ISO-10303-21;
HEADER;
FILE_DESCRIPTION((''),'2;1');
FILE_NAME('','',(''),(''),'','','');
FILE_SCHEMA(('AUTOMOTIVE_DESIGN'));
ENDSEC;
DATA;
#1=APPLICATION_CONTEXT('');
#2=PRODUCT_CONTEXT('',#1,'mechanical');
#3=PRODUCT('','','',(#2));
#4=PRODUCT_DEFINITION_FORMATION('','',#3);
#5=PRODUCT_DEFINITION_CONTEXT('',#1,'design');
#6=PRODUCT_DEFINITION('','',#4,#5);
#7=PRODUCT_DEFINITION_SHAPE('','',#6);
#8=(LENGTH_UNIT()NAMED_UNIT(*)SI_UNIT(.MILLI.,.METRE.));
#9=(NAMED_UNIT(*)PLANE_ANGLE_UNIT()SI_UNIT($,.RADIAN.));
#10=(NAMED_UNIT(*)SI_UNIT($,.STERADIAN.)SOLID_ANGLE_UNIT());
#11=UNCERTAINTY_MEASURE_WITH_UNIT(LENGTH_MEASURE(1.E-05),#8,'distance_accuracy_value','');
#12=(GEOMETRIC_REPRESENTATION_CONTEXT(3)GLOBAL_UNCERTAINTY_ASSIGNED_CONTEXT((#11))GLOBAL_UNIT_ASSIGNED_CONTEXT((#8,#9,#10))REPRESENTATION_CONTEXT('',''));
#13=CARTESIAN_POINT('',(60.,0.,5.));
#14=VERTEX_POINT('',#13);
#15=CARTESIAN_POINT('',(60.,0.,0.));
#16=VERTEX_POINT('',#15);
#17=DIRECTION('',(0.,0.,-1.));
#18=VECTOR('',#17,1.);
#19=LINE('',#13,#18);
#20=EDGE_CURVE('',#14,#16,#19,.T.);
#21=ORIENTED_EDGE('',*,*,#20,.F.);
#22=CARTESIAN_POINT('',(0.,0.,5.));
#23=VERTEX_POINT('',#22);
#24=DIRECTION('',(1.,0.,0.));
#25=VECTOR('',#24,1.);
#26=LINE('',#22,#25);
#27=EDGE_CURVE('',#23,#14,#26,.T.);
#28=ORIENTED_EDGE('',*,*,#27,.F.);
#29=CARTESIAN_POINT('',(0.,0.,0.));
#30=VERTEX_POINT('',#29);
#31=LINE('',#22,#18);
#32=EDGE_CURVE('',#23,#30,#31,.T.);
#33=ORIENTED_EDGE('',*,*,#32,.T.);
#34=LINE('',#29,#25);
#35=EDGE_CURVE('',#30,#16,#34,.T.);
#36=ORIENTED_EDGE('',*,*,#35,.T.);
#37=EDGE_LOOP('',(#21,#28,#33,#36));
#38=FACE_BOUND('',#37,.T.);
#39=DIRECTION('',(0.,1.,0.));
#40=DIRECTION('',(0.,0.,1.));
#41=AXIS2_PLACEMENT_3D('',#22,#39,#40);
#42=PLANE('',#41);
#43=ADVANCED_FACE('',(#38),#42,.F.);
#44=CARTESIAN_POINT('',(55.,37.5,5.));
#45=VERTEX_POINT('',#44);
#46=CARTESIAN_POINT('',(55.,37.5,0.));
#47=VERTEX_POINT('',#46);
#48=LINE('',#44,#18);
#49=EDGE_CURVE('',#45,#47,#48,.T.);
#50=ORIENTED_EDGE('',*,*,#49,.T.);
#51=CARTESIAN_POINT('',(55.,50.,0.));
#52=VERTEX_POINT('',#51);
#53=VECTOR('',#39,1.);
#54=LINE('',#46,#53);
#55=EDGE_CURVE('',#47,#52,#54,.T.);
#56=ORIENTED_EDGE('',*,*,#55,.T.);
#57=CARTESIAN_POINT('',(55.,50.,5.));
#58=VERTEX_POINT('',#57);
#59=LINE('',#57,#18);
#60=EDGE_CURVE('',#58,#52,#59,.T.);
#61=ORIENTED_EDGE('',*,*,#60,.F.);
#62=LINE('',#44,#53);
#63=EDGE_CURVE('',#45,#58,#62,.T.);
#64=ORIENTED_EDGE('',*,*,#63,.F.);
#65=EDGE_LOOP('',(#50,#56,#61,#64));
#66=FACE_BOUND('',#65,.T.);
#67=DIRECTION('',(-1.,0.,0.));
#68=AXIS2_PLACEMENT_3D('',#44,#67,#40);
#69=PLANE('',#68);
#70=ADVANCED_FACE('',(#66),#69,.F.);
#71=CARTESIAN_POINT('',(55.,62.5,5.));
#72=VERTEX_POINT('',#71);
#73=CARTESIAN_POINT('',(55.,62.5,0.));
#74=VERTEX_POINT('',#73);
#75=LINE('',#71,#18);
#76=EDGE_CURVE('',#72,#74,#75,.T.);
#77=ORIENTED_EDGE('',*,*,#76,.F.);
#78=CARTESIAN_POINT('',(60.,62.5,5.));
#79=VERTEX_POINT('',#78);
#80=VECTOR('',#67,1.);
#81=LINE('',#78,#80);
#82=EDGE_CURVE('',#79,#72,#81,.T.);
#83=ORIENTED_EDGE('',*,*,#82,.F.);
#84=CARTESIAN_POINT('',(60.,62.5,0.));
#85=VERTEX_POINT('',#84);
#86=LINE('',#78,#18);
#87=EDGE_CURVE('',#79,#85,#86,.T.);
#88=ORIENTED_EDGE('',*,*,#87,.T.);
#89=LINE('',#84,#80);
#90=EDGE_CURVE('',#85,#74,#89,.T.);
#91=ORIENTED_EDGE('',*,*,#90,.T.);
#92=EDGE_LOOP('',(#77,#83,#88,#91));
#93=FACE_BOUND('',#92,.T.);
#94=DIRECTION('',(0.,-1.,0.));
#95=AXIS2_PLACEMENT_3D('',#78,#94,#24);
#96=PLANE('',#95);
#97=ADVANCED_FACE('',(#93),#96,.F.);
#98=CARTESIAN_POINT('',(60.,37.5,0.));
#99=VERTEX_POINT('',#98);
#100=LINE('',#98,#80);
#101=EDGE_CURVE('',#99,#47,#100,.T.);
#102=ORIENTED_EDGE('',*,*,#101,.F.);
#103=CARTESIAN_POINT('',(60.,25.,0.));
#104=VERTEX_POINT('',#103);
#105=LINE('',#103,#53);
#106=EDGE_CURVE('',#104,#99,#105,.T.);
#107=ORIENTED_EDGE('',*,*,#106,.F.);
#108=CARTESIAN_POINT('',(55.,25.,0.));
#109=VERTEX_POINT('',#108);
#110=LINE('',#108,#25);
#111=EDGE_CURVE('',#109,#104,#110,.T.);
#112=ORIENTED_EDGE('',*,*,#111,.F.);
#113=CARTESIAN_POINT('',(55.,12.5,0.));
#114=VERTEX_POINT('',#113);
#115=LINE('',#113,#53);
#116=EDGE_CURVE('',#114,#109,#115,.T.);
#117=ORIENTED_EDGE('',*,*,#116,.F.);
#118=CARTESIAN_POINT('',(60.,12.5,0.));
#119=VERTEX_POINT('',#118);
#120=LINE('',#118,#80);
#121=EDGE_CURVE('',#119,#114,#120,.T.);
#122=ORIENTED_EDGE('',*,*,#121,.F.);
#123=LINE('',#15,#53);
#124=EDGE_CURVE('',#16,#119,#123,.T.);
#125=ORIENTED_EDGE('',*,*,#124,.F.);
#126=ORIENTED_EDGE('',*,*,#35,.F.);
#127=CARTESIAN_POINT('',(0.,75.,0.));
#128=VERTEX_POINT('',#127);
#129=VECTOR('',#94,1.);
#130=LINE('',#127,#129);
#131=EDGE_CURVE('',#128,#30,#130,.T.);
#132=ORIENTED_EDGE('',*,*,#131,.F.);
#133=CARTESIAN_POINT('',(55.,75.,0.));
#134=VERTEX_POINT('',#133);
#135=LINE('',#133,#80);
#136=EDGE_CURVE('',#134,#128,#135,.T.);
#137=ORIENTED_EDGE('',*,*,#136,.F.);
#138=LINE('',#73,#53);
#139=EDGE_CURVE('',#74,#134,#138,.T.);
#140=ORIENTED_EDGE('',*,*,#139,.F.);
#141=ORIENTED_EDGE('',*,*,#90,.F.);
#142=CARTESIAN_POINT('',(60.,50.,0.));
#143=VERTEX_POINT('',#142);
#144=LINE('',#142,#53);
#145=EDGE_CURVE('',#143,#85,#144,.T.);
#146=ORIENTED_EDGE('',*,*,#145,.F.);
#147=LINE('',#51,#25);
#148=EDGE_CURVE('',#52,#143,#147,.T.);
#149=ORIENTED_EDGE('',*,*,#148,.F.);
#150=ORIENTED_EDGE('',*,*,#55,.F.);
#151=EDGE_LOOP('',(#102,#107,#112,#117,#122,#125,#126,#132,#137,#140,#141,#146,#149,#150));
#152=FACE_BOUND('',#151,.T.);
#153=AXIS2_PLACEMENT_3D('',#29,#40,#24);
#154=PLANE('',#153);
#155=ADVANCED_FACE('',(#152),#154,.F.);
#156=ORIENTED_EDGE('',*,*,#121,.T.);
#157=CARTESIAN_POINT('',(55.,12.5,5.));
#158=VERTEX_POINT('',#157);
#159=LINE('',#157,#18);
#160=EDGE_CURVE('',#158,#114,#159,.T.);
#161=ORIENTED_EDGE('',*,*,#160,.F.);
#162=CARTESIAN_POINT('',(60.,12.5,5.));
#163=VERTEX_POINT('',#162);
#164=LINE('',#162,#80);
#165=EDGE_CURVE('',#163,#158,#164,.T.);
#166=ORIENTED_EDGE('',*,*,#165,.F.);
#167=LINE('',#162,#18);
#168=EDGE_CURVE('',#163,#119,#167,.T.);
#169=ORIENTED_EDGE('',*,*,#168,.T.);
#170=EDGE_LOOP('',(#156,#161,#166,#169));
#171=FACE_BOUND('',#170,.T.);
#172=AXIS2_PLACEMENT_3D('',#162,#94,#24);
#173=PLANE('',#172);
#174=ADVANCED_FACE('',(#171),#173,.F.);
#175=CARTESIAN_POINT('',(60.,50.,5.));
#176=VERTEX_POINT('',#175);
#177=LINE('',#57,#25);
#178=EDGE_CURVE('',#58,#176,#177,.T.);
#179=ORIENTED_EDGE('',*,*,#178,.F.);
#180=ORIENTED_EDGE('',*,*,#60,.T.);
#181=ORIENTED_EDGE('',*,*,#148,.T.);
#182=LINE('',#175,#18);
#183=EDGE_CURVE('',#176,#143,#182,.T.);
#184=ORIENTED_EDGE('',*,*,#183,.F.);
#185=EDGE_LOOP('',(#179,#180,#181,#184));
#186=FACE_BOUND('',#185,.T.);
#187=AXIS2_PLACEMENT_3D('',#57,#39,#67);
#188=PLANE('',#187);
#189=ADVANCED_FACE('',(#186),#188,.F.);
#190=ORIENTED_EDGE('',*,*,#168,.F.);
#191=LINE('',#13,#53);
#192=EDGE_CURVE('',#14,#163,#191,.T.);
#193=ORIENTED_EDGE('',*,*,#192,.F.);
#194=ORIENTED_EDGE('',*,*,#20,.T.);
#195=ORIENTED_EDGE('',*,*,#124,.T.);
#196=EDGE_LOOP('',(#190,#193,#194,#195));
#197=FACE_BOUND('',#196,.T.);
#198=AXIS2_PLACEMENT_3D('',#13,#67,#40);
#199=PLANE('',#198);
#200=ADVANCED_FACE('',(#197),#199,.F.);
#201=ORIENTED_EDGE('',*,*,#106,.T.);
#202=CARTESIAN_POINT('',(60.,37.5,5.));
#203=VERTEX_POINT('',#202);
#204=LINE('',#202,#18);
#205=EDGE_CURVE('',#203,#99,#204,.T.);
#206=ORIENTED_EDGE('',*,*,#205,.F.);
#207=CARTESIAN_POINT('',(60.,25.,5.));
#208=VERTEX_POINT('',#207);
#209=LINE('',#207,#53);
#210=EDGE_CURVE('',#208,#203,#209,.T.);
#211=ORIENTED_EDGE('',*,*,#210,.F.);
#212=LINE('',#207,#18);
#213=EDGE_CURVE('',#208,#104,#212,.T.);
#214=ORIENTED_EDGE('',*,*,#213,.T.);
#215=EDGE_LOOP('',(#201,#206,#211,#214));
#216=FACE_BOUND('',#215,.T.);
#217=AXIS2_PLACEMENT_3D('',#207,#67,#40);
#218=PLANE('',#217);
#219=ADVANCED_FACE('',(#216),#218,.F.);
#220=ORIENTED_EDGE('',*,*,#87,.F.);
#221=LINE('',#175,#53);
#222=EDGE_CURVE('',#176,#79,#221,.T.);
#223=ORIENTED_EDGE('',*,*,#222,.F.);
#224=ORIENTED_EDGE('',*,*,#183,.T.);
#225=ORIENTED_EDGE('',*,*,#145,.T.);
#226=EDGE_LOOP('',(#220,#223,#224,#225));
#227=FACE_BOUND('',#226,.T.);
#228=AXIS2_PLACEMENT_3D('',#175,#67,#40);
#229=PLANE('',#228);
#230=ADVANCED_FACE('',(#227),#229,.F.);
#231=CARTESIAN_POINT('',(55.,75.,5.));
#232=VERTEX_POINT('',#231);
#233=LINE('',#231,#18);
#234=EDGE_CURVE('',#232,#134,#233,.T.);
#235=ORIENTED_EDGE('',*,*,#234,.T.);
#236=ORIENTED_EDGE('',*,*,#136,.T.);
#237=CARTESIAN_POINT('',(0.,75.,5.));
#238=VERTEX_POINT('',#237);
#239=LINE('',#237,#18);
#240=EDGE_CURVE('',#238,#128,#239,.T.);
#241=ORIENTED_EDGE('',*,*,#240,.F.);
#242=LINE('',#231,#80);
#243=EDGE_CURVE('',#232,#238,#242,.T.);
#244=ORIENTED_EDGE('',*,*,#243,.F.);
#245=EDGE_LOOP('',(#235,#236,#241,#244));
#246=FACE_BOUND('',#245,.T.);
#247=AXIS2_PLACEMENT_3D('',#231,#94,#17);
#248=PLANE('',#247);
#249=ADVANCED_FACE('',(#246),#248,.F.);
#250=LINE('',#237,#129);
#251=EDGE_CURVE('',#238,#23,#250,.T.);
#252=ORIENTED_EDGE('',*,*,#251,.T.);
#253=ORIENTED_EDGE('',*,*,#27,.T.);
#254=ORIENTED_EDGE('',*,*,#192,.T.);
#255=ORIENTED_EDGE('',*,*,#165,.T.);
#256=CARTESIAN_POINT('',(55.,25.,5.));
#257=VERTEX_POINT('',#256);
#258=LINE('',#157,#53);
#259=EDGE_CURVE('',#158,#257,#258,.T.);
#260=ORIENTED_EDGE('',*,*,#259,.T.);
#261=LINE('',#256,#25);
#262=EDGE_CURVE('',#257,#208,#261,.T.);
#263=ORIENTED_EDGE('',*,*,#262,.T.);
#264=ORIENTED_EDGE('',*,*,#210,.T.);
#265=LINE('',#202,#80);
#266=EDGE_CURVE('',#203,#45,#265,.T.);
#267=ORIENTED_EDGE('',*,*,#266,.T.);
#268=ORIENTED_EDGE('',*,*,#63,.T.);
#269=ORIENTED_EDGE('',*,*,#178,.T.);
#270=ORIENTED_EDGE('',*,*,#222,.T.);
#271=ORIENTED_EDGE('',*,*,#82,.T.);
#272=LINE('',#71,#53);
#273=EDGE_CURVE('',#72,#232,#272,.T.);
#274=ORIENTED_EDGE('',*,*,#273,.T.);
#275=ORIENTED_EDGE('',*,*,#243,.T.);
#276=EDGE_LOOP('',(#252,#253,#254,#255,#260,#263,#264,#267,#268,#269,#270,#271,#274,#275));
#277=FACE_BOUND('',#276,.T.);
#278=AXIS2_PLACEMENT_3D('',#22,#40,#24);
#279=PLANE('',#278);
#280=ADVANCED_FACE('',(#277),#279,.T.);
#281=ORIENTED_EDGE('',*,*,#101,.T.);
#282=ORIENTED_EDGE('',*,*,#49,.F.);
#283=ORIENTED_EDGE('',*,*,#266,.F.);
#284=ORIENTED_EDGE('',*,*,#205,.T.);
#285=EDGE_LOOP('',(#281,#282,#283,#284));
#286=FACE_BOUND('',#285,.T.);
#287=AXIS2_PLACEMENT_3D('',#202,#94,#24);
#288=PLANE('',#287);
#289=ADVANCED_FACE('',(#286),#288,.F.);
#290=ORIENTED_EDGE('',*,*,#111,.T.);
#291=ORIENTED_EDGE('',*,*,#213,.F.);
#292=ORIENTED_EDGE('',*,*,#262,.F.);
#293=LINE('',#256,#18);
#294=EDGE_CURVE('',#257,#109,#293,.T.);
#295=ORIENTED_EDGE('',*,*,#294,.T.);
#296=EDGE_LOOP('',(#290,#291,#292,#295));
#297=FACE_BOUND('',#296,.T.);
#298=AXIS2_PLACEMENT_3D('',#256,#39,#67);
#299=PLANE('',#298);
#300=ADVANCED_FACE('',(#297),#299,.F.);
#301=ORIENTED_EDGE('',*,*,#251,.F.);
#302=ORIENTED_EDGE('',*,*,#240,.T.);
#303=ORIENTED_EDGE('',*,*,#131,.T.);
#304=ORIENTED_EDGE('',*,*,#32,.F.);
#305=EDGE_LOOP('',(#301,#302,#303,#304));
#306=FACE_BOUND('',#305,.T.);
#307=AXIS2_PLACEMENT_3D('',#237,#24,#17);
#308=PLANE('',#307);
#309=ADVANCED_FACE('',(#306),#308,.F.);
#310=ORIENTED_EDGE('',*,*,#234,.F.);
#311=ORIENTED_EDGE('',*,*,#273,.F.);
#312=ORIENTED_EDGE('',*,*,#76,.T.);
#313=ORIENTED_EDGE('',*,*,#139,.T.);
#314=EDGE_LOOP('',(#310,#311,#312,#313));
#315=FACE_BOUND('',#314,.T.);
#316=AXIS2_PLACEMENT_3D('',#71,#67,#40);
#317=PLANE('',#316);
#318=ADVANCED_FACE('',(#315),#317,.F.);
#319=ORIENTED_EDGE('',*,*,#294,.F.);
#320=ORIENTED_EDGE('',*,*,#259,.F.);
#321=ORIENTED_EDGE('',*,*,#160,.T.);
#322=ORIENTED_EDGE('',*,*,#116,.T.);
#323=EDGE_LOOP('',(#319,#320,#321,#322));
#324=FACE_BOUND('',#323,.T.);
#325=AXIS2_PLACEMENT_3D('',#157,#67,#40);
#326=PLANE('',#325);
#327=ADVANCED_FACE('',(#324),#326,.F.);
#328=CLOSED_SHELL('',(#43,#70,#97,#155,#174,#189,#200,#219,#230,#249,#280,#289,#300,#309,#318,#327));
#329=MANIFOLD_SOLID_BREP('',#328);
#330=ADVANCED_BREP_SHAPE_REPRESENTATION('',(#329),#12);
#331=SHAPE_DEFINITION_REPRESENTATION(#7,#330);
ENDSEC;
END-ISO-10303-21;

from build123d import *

# Parameters (mm, degrees)
EXTRUDE_1_DEPTH = 5


with BuildPart() as part:
    # Эскиз2 → Бобышка-Вытянуть1 (new body)
    with BuildSketch(Plane.XY):
        Polygon((0, 0), (60, 0), (60, 12.5), (55, 12.5), (55, 25), (60, 25), (60, 37.5), (55, 37.5), (55, 50), (60, 50), (60, 62.5), (55, 62.5), (55, 75), (0, 75), align=None)
    extrude(amount=EXTRUDE_1_DEPTH)


solid = part.part
